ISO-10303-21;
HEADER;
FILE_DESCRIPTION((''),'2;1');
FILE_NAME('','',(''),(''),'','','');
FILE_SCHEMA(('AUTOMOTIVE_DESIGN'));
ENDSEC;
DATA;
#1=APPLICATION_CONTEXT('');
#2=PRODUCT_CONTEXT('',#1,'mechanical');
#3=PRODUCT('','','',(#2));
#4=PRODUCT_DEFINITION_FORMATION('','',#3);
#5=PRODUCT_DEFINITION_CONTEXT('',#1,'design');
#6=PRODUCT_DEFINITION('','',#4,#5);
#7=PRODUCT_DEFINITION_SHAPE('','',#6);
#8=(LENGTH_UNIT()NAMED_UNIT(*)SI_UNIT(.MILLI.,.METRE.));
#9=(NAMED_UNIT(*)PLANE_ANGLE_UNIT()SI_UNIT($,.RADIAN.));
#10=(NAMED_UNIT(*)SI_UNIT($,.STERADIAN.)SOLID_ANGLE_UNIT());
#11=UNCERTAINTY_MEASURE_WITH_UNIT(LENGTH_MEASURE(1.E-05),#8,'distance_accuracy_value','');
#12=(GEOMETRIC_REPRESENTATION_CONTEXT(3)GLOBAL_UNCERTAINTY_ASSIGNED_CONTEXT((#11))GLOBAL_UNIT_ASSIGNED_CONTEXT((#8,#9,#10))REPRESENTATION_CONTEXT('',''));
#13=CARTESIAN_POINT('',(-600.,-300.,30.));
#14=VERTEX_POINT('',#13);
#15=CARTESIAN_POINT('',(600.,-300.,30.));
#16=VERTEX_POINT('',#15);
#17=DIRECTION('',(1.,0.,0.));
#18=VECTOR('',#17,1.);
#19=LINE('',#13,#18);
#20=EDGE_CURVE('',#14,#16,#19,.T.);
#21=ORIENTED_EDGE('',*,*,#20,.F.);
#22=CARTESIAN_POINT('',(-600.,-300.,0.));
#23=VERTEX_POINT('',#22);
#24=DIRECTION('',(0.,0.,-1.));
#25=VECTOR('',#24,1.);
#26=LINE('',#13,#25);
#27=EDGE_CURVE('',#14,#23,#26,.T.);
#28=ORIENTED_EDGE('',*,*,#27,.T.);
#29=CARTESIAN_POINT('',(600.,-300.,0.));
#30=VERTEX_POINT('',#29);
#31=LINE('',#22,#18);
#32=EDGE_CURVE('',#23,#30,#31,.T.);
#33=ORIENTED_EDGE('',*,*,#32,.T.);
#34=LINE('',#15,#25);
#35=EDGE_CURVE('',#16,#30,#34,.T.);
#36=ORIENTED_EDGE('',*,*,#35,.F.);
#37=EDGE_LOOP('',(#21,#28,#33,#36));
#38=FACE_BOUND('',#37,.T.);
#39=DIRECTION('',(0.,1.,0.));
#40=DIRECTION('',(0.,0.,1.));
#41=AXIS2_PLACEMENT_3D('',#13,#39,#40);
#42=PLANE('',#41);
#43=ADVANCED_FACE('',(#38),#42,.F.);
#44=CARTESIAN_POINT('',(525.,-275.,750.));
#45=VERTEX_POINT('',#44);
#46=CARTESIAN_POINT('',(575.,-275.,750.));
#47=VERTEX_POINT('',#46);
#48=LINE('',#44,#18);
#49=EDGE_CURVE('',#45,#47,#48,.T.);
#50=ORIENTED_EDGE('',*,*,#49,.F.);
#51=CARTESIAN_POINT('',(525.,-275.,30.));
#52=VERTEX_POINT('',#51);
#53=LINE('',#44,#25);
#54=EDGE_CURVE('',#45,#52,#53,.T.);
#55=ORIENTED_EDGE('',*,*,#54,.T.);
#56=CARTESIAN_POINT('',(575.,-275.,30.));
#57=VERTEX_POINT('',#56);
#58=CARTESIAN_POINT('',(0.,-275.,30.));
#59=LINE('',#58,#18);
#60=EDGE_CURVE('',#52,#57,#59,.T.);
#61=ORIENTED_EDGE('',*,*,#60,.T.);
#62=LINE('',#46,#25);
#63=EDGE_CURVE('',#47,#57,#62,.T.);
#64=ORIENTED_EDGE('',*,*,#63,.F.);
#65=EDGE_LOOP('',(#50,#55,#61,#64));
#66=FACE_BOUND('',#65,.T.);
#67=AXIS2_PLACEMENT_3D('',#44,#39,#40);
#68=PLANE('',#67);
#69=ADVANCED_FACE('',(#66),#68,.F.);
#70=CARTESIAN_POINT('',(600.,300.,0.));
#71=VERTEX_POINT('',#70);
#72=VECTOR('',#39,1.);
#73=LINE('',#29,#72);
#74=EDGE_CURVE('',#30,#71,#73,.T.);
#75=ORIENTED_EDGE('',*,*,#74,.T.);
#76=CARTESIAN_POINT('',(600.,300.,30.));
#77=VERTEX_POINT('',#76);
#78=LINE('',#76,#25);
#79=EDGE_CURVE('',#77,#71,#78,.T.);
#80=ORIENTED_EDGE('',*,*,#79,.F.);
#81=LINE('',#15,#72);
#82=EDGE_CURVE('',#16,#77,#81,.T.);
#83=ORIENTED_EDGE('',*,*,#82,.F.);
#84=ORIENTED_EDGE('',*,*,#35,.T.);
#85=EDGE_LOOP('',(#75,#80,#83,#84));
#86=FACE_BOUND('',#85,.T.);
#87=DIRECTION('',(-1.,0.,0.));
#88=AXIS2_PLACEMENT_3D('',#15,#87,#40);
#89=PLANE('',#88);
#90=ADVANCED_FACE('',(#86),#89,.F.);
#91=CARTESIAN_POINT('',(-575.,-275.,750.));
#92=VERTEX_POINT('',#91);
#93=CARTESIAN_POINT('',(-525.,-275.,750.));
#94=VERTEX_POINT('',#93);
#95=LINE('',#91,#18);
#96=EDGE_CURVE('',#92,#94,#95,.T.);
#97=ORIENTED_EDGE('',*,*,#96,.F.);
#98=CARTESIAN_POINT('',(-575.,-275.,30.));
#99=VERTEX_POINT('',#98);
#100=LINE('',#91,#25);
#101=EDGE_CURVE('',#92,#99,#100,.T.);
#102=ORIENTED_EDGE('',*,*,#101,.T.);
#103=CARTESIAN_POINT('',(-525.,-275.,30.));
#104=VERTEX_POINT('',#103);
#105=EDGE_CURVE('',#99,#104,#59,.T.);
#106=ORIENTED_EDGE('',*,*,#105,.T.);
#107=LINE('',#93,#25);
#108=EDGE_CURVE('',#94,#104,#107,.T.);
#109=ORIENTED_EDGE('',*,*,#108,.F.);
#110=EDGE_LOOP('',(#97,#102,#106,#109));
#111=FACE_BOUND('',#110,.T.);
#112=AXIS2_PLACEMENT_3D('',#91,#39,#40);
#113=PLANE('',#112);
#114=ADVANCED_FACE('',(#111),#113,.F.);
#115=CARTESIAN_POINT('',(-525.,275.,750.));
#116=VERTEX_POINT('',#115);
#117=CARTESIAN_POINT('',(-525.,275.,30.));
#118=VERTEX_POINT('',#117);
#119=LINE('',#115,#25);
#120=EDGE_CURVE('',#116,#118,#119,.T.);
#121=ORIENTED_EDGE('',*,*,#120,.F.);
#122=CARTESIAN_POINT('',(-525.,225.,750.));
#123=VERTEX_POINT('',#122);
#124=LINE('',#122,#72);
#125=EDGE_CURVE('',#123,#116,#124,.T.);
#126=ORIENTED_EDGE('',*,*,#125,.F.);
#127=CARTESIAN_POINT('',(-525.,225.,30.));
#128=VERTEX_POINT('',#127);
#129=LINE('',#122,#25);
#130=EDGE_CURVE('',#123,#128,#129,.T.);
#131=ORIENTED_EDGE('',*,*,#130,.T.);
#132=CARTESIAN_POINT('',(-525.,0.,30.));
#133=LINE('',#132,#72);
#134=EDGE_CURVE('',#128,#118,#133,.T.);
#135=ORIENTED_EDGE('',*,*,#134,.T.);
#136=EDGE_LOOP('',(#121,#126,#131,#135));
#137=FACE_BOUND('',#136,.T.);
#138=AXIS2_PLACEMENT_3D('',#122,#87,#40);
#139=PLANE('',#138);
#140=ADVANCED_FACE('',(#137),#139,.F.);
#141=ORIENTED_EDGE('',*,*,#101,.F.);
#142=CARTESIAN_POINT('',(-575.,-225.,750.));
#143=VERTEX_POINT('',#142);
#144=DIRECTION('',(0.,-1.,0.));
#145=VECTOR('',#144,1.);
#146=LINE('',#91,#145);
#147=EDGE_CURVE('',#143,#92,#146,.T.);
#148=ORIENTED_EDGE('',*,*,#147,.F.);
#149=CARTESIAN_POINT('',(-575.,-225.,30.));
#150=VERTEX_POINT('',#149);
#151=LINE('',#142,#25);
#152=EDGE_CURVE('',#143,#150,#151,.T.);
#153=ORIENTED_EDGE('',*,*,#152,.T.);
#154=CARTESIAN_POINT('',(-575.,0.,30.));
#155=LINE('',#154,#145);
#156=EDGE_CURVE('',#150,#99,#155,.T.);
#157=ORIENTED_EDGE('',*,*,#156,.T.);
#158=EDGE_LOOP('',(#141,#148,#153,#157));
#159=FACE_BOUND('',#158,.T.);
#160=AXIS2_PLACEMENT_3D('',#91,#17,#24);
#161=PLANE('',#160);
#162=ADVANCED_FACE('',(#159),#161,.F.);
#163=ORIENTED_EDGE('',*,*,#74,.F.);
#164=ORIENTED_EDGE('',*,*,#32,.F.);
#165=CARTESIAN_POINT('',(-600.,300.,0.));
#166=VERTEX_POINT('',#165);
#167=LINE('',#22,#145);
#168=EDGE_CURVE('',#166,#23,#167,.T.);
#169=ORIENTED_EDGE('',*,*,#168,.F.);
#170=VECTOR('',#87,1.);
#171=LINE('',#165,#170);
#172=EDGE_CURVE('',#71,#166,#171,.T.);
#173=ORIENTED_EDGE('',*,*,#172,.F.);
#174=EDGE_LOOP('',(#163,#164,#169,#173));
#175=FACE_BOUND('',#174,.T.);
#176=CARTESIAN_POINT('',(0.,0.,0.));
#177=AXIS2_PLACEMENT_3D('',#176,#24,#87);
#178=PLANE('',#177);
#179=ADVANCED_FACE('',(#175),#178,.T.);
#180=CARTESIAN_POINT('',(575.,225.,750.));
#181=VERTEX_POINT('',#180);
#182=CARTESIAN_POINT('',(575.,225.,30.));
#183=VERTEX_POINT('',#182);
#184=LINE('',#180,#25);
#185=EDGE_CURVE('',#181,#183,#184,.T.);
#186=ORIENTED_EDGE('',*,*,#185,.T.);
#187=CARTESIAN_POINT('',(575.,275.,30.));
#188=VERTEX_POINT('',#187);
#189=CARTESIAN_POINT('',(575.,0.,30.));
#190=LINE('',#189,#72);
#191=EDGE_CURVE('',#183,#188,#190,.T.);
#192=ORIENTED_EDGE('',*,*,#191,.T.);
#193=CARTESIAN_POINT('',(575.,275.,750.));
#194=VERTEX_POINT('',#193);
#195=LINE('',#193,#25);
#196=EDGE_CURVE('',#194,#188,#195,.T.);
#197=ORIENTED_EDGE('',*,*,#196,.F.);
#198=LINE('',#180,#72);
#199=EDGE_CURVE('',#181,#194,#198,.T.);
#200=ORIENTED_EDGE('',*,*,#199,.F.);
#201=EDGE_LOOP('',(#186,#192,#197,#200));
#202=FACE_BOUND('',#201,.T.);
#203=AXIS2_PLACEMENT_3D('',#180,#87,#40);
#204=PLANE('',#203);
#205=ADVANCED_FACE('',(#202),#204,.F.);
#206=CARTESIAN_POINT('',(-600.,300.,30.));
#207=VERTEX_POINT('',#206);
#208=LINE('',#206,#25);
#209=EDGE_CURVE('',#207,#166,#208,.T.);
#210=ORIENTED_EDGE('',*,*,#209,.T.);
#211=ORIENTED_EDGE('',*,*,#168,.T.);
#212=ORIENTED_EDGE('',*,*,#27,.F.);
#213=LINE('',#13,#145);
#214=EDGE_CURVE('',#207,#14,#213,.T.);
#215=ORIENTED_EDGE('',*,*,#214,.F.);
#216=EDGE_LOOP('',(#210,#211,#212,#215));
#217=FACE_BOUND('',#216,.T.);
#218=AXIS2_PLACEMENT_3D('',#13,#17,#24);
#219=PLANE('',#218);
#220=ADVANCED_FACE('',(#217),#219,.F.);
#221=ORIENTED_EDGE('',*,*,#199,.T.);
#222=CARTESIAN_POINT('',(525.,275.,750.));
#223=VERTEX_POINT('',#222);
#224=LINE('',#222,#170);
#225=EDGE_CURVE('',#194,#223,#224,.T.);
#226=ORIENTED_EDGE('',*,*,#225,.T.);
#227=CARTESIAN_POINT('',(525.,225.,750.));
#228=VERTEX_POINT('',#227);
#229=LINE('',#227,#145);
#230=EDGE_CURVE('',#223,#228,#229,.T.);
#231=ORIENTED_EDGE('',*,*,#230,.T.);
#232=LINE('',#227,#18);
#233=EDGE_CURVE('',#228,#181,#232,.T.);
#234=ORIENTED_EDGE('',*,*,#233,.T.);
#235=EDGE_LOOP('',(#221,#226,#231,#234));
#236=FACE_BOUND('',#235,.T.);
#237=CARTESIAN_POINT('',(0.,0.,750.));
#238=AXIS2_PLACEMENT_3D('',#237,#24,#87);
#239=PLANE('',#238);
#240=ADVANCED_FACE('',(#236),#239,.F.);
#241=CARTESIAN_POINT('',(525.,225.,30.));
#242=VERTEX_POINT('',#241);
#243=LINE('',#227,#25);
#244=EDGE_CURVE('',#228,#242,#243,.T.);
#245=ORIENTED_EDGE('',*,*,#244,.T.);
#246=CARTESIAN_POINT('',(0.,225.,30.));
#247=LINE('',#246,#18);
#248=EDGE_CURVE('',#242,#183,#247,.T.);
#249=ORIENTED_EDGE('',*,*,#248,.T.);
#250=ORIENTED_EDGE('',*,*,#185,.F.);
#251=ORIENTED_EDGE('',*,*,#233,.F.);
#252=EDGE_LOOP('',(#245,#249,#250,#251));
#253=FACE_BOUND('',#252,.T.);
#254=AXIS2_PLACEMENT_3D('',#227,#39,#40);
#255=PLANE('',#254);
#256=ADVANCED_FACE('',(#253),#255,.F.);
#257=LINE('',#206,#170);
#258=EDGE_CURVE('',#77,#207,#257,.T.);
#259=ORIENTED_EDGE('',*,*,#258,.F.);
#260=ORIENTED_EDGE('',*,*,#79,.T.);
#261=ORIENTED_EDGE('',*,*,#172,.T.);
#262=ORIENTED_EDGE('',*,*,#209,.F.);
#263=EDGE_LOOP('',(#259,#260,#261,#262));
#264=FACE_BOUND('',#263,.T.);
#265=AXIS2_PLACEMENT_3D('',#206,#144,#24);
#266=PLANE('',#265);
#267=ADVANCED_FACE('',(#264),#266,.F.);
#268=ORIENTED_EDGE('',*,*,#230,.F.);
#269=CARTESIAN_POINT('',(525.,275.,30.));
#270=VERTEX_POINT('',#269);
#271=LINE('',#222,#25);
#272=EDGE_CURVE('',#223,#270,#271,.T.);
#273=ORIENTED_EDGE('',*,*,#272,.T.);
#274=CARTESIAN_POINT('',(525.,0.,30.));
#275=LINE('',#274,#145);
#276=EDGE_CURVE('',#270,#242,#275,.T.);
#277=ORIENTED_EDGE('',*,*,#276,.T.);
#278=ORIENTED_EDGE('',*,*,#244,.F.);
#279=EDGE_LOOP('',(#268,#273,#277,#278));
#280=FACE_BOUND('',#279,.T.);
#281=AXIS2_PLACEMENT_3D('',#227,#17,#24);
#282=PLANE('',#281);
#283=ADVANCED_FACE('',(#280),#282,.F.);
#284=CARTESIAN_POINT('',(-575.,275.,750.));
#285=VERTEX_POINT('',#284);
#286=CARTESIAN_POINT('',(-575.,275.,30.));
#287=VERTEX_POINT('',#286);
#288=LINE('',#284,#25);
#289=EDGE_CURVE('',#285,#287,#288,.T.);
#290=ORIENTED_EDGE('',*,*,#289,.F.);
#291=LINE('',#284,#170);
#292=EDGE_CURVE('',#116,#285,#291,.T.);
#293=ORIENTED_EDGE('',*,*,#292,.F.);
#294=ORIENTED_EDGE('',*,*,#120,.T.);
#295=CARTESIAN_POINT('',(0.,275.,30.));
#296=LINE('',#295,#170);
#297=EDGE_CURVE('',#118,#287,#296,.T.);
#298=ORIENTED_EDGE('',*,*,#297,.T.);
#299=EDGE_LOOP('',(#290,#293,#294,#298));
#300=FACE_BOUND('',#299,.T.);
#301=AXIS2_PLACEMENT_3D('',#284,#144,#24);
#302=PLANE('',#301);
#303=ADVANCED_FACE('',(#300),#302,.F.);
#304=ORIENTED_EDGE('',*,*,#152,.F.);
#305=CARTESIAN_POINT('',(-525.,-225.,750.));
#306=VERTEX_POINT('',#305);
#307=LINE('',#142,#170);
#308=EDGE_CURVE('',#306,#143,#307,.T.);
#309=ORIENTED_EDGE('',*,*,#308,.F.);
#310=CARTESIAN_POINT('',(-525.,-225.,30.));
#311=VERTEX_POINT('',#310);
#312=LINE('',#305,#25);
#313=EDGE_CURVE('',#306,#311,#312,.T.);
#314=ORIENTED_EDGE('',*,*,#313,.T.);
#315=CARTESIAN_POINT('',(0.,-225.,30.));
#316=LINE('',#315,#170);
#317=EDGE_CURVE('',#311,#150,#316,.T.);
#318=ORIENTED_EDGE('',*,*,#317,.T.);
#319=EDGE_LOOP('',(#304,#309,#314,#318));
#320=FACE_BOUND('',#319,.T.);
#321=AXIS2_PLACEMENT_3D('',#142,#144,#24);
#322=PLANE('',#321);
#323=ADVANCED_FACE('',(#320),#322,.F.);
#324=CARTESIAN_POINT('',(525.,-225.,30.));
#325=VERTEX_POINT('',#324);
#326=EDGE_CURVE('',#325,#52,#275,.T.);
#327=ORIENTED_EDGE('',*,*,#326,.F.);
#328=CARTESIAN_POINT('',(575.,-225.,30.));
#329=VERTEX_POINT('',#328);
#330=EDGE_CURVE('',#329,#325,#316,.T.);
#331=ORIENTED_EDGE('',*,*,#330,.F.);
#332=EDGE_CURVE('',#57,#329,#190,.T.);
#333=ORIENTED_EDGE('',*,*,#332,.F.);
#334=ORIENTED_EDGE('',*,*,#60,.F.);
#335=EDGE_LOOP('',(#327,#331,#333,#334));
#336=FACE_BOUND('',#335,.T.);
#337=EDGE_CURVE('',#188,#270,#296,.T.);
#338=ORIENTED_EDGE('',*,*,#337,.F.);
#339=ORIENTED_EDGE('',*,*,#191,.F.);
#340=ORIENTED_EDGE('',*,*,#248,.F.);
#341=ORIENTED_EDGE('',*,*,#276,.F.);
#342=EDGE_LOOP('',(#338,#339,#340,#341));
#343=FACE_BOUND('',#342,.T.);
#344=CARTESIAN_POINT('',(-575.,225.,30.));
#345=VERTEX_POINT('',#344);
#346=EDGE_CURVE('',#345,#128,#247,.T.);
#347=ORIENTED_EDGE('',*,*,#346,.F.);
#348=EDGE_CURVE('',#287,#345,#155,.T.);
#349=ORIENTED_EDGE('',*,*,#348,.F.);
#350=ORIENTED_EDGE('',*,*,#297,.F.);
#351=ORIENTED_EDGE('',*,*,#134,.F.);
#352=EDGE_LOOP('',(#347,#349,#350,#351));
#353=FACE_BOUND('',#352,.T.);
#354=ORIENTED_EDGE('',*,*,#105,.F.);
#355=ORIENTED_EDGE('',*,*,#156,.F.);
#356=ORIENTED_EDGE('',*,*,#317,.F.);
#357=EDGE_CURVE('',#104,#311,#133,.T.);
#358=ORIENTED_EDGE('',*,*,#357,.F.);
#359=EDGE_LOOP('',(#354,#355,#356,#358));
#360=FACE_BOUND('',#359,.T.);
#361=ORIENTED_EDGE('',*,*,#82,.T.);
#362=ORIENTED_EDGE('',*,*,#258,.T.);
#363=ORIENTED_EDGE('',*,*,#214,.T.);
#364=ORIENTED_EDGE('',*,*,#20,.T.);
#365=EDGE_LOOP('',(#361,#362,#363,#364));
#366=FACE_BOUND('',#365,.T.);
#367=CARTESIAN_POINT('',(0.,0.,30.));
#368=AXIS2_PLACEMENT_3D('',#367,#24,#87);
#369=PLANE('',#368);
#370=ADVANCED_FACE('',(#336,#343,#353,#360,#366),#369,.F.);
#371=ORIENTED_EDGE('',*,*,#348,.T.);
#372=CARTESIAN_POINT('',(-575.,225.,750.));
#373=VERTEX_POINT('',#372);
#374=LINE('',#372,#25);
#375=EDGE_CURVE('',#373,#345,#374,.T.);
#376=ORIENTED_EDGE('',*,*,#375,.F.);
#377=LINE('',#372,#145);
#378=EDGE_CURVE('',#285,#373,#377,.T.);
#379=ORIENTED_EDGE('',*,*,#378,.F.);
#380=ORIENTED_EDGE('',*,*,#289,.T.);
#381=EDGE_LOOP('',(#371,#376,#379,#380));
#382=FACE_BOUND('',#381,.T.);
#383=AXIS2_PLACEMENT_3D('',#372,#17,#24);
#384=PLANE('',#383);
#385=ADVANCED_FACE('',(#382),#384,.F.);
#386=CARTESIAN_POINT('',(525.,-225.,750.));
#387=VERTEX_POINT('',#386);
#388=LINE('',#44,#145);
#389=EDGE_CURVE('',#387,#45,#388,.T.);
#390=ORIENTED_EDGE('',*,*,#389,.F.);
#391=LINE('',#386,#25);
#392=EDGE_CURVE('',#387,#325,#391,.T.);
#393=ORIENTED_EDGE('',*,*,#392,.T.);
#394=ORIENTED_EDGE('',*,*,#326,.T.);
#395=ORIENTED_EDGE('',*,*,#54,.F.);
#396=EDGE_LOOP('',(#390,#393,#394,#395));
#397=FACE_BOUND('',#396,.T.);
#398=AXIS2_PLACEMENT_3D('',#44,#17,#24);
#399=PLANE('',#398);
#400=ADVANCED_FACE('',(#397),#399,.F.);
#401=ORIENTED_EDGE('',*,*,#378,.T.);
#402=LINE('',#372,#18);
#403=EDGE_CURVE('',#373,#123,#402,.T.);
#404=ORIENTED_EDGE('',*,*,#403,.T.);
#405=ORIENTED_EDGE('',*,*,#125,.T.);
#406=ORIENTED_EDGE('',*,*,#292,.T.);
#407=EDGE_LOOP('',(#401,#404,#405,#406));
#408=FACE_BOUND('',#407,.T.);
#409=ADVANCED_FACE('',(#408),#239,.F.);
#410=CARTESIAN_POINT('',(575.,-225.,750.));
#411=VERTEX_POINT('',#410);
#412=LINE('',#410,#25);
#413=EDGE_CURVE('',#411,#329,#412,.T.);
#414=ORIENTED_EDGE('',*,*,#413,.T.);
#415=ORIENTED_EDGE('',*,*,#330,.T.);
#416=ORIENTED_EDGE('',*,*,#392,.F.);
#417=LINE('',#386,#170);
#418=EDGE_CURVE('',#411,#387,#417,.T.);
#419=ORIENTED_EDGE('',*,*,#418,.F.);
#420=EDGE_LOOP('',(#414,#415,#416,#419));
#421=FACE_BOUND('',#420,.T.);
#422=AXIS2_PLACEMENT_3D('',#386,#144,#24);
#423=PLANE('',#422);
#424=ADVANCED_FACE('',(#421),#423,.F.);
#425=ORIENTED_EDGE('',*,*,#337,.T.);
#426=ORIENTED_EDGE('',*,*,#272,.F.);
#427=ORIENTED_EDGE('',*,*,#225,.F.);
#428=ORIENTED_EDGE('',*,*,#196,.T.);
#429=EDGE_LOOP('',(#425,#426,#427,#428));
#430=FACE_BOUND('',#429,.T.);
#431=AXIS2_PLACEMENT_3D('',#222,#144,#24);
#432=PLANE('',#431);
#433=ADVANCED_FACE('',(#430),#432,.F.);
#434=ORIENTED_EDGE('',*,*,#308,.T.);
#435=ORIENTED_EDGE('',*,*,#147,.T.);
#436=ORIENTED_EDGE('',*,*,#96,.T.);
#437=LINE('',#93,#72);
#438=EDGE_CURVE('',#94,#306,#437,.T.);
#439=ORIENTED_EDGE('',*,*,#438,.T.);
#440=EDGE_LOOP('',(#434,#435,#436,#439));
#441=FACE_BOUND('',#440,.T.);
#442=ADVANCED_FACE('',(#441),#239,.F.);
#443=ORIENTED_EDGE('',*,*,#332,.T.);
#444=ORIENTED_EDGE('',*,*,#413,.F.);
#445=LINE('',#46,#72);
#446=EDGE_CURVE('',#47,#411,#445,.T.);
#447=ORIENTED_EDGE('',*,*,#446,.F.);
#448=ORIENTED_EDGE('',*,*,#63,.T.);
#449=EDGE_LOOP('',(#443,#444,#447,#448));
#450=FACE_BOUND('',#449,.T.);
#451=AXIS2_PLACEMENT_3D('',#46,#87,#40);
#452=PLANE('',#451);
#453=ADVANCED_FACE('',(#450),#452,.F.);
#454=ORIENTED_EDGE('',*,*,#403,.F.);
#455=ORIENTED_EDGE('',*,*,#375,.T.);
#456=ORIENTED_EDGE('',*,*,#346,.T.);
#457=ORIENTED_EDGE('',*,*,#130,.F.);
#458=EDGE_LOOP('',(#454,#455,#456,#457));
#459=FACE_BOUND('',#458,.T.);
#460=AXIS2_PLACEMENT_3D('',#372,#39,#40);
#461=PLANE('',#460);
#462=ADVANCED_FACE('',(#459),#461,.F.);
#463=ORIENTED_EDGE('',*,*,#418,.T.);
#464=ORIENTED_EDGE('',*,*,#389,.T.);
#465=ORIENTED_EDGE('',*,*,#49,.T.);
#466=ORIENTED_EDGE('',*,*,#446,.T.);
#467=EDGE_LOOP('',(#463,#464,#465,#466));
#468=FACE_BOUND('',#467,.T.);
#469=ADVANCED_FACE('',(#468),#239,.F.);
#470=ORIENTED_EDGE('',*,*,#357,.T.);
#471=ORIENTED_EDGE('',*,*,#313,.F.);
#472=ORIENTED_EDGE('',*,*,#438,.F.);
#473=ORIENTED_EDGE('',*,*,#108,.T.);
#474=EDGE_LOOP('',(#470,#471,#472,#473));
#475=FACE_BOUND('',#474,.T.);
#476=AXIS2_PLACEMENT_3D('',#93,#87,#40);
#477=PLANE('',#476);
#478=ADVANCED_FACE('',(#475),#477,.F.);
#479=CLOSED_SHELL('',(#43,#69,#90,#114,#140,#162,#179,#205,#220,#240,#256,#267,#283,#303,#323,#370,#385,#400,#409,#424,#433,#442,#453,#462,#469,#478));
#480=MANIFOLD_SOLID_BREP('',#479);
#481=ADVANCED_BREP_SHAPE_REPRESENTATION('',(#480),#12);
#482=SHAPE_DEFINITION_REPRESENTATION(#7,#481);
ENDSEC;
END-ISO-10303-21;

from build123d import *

# Parameters (mm, degrees)
SKETCH_1_W      = 1200
SKETCH_1_H      = 600
EXTRUDE_1_DEPTH = 30
SKETCH_2_W      = 50
SKETCH_2_H      = 50
EXTRUDE_2_DEPTH = 750
SKETCH_3_W      = 50
SKETCH_3_H      = 50
EXTRUDE_3_DEPTH = 750
SKETCH_4_W      = 50
SKETCH_4_H      = 50
EXTRUDE_4_DEPTH = 750
SKETCH_5_W      = 50
SKETCH_5_H      = 50
EXTRUDE_5_DEPTH = 750


with BuildPart() as part:
    # 草图1 → 凸台-拉伸1 (new body)
    with BuildSketch(Plane.XY):
        Rectangle(SKETCH_1_W, SKETCH_1_H)
    extrude(amount=EXTRUDE_1_DEPTH)

    # 草图2 → 凸台-拉伸2 (add)
    with BuildSketch(Plane.XY):
        with Locations((-550, -250)):
            Rectangle(SKETCH_2_W, SKETCH_2_H)
    extrude(amount=EXTRUDE_2_DEPTH)

    # 草图3 → 凸台-拉伸3 (add)
    with BuildSketch(Plane.XY):
        with Locations((550, -250)):
            Rectangle(SKETCH_3_W, SKETCH_3_H)
    extrude(amount=EXTRUDE_3_DEPTH)

    # 草图4 → 凸台-拉伸4 (add)
    with BuildSketch(Plane.XY):
        with Locations((-550, 250)):
            Rectangle(SKETCH_4_W, SKETCH_4_H)
    extrude(amount=EXTRUDE_4_DEPTH)

    # 草图5 → 凸台-拉伸5 (add)
    with BuildSketch(Plane.XY):
        with Locations((550, 250)):
            Rectangle(SKETCH_5_W, SKETCH_5_H)
    extrude(amount=EXTRUDE_5_DEPTH)


solid = part.part
